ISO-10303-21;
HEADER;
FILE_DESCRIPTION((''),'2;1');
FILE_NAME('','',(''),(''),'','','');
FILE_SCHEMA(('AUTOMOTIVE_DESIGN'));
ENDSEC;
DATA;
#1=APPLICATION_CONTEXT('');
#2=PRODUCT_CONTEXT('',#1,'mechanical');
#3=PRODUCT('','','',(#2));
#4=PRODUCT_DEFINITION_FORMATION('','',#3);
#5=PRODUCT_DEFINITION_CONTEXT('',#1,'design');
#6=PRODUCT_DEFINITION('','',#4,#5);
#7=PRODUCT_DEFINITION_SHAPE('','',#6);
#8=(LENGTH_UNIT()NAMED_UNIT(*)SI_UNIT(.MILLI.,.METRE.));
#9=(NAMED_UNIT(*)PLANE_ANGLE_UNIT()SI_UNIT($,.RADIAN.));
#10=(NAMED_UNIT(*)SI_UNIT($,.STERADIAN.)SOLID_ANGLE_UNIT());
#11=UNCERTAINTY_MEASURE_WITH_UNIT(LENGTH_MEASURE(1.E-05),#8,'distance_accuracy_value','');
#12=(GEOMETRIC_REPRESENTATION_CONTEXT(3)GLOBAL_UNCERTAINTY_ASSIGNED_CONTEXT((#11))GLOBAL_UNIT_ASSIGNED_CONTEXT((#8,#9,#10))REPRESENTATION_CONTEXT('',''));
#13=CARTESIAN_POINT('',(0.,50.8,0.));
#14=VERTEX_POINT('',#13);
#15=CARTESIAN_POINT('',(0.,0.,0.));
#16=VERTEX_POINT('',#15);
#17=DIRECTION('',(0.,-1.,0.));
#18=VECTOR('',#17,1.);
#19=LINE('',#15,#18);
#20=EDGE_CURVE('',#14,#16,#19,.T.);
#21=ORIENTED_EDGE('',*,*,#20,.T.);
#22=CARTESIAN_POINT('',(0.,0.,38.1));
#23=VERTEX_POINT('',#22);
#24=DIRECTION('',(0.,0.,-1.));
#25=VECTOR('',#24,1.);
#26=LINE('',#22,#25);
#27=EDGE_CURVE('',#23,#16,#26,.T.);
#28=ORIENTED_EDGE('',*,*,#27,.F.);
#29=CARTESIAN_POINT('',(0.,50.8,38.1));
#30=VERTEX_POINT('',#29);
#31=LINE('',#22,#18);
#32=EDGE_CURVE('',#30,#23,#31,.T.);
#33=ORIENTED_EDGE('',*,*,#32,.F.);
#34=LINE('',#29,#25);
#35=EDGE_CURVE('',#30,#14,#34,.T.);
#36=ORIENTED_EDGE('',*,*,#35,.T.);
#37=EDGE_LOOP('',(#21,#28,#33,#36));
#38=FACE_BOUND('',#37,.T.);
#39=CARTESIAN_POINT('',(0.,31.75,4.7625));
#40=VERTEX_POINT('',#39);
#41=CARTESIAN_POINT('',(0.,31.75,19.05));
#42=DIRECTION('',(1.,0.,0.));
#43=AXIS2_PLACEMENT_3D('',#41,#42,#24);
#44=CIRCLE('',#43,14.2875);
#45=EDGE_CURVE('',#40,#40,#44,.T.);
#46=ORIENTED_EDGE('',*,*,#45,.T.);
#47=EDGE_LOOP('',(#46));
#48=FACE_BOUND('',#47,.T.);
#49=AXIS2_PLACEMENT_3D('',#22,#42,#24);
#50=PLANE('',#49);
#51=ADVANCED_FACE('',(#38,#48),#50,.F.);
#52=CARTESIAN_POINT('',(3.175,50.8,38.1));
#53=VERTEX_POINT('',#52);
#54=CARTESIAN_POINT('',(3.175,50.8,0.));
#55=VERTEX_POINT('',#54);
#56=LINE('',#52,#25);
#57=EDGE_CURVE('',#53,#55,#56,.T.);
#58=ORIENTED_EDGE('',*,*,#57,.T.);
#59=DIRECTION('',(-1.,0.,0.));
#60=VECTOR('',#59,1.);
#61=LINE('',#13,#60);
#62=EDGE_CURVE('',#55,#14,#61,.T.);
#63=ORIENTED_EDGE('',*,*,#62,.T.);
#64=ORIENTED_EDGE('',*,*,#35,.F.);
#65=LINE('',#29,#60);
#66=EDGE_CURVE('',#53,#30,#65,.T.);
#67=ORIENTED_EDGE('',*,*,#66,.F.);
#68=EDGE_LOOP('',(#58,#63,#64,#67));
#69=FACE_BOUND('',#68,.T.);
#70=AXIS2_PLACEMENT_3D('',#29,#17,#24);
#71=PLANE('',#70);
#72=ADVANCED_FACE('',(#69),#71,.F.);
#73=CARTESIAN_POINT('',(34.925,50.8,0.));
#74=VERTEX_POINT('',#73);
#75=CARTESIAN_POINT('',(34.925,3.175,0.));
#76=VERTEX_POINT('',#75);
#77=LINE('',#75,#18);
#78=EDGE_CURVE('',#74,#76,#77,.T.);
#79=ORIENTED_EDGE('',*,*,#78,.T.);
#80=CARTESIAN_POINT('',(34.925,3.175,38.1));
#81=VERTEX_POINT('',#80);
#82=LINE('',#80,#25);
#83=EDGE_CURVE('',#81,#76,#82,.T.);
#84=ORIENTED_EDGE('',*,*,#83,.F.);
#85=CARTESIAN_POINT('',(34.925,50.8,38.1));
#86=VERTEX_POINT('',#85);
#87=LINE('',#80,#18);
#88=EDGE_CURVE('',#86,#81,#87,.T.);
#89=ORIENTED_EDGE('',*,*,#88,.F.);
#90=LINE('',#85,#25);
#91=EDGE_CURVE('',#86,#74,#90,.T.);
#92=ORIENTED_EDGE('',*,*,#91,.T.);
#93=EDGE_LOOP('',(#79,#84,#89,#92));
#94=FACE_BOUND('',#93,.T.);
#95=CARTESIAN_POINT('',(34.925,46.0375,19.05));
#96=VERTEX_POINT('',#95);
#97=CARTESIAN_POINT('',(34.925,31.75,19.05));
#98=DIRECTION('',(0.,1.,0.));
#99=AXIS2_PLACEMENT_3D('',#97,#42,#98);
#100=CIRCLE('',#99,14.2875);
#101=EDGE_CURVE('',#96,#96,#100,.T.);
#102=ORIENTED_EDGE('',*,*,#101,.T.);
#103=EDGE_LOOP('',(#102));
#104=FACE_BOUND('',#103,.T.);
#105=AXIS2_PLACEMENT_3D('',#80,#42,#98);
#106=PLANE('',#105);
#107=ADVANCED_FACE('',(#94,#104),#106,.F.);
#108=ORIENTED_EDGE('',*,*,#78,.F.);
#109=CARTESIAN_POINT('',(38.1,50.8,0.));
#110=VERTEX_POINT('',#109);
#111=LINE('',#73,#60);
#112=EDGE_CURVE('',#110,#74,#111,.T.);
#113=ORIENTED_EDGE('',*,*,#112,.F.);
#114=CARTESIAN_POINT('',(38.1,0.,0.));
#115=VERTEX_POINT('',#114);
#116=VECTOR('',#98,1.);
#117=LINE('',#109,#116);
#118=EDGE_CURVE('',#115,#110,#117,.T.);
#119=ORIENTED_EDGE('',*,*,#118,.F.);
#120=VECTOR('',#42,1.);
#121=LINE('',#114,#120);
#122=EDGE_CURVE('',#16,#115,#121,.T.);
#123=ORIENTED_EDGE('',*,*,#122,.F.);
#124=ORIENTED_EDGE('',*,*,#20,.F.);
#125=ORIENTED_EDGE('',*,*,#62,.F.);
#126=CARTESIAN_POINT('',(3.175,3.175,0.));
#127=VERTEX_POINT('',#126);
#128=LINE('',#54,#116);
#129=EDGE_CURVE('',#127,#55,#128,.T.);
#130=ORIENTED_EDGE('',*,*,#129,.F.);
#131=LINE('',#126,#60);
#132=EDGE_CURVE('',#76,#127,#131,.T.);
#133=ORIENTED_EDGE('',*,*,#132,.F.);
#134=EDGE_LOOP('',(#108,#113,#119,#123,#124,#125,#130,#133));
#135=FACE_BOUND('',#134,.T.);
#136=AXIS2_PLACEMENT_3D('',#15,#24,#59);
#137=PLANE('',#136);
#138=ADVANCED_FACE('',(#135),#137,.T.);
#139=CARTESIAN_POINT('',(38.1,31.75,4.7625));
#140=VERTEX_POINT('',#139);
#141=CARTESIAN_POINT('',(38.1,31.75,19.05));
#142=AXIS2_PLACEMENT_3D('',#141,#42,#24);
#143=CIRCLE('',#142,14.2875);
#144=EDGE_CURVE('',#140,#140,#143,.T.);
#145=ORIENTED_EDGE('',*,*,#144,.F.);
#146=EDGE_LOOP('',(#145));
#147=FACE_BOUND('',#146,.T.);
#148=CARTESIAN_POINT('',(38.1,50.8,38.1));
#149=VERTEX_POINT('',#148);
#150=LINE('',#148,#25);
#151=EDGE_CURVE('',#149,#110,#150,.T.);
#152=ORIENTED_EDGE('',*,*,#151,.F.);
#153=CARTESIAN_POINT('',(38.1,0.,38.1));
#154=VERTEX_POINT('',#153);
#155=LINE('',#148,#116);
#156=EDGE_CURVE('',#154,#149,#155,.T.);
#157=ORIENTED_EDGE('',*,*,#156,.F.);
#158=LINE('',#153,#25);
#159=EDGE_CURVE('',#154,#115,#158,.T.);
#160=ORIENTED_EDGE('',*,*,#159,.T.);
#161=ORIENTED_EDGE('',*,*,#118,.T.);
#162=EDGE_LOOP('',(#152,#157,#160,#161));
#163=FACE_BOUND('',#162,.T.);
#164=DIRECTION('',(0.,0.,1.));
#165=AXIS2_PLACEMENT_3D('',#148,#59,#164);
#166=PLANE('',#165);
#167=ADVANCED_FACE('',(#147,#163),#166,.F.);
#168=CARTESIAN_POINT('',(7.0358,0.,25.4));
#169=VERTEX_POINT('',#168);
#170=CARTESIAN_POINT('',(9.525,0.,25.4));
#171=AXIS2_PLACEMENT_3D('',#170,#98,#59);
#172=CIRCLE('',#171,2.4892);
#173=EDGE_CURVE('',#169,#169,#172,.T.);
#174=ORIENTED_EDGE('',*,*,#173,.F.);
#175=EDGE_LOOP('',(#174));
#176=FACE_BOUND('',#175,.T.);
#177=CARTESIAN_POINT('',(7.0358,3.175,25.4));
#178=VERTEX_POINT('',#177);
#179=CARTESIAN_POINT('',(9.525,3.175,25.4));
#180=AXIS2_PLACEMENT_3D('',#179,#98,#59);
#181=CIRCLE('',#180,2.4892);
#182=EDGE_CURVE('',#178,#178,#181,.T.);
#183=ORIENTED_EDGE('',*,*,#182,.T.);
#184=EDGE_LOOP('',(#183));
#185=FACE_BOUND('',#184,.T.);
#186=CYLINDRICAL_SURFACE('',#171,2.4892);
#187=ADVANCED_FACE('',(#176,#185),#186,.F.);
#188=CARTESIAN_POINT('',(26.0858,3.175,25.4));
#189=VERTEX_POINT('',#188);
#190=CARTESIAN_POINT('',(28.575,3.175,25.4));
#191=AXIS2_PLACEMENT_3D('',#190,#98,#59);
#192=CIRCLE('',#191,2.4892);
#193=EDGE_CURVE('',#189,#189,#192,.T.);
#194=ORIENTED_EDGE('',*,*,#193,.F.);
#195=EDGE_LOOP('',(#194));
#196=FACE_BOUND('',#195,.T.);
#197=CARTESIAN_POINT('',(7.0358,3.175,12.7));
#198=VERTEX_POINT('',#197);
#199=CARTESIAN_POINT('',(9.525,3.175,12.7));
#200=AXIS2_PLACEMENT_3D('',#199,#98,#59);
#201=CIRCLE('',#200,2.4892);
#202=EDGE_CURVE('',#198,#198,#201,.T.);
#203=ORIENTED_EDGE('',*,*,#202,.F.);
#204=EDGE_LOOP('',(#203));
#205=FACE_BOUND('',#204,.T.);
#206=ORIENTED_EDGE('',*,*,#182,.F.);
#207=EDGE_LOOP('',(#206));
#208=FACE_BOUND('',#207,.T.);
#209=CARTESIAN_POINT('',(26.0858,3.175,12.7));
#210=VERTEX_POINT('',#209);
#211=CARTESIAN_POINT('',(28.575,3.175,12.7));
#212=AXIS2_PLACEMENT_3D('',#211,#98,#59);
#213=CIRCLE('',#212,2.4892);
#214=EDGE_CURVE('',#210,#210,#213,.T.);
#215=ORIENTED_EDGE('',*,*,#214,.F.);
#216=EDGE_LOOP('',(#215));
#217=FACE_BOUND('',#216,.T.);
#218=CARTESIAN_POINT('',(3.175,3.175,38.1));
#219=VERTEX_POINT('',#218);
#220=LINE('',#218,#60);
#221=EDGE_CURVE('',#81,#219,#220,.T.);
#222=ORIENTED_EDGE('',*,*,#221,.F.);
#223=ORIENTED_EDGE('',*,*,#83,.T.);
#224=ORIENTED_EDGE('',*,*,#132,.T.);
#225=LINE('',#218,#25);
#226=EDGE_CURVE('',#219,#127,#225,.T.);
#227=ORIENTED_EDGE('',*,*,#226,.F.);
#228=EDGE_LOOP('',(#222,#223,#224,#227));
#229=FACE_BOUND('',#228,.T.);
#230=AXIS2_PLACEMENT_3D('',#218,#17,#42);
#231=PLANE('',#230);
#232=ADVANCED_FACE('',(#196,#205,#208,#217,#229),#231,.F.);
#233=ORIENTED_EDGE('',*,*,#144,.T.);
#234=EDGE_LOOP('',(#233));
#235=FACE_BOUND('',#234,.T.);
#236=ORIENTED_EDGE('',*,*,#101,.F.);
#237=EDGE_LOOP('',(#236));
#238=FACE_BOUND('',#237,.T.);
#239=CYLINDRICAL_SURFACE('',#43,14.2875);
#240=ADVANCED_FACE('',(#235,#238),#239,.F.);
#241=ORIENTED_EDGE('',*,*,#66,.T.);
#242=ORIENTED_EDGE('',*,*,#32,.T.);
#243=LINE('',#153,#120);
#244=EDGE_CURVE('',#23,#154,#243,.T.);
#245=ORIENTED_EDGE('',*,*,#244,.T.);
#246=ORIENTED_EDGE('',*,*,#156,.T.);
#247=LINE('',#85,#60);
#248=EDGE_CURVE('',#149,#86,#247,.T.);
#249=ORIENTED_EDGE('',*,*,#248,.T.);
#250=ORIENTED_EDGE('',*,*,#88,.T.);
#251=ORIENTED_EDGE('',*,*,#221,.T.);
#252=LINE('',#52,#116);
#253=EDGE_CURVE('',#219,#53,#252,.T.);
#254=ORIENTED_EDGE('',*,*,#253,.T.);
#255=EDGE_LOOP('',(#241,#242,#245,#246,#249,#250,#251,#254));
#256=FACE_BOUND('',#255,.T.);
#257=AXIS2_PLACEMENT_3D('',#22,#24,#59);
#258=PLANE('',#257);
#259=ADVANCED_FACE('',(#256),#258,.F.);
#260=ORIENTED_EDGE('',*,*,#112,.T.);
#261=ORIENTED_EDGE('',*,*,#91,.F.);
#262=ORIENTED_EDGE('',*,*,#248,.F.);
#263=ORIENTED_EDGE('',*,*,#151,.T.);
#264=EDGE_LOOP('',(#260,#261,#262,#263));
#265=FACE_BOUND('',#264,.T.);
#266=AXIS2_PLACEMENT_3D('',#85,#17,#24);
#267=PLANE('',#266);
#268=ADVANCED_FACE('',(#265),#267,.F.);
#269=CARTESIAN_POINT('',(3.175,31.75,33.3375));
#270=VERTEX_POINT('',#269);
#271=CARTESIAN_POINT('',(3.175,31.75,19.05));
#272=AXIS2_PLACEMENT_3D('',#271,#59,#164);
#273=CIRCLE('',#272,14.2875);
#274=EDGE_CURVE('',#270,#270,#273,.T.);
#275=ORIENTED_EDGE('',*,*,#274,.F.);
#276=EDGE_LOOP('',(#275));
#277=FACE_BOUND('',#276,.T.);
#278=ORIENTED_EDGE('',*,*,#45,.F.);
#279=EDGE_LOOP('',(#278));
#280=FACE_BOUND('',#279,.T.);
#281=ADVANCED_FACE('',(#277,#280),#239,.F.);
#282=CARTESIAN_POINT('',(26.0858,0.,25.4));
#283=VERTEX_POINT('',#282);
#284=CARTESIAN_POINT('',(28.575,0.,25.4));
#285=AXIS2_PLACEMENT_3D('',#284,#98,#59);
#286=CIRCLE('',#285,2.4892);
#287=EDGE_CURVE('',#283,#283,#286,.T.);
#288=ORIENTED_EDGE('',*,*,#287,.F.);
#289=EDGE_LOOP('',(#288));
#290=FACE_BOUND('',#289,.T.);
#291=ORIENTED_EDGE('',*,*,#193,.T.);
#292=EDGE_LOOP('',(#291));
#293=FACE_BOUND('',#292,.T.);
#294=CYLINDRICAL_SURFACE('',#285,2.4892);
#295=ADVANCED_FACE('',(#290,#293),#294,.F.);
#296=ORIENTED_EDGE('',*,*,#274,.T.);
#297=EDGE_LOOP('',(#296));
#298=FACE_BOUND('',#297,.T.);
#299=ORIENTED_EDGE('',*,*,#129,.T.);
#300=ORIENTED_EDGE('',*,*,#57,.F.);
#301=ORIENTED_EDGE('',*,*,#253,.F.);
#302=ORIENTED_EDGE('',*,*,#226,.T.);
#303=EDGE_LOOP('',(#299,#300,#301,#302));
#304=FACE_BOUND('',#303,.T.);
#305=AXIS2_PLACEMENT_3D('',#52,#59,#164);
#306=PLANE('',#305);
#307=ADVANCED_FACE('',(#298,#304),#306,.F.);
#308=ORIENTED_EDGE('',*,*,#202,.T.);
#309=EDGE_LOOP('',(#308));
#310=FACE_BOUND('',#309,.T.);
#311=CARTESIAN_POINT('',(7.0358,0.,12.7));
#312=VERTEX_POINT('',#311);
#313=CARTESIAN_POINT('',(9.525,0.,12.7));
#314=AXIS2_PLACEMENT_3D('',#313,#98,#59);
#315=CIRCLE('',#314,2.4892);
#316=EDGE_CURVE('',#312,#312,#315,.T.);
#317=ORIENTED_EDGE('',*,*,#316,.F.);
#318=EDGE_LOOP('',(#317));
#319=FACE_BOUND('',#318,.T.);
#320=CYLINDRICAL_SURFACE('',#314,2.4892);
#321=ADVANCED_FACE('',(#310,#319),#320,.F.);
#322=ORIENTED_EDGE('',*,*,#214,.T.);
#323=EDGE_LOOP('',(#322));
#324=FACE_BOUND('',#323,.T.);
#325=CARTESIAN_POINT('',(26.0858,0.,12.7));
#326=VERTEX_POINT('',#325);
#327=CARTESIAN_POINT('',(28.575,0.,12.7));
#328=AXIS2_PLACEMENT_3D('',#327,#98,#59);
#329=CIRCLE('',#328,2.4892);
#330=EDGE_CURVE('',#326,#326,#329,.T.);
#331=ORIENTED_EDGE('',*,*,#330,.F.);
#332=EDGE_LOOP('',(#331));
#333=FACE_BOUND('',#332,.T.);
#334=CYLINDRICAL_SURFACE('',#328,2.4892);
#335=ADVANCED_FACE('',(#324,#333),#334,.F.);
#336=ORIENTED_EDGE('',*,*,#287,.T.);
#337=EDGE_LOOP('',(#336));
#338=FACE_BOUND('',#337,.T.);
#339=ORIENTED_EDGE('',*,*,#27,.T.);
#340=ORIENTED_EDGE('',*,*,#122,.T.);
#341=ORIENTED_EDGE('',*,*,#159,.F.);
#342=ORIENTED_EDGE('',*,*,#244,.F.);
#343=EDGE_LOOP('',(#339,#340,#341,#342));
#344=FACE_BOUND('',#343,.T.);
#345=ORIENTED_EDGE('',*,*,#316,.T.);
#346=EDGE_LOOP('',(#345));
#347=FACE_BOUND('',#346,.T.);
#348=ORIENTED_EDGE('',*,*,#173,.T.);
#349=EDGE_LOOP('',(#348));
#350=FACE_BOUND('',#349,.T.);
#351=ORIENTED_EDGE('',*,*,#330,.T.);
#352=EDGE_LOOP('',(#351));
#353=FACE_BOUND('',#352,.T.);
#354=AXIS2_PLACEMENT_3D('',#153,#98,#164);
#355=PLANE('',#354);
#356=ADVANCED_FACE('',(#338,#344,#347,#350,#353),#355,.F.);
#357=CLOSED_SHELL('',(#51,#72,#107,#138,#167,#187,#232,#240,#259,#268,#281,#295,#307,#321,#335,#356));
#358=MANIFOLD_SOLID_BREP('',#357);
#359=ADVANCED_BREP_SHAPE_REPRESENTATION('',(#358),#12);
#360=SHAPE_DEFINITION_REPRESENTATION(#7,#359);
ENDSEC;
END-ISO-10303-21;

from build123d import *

# Parameters (mm, degrees)
BOSS_EXTRUDE1_DEPTH = 38.1
SKETCH2_R           = 14.2875
CUT_EXTRUDE1_DEPTH  = 39.1
SKETCH3_R           = 2.4892
CUT_EXTRUDE2_DEPTH  = 4.175


with BuildPart() as part:
    # Sketch1 → Boss-Extrude1 (new body)
    with BuildSketch(Plane.XY):
        Polygon((0, 0), (0, 50.8), (3.175, 50.8), (3.175, 3.175), (34.925, 3.175), (34.925, 50.8), (38.1, 50.8), (38.1, 0), align=None)
    extrude(amount=BOSS_EXTRUDE1_DEPTH)

    # Sketch2 → Cut-Extrude1 (cut, through all)
    with BuildSketch(Plane(origin=(38.1, 0, 0), x_dir=(0, 0, -1), z_dir=(1, 0, 0))):
        with Locations((-19.05, 31.75)):
            Circle(SKETCH2_R)
    extrude(amount=-CUT_EXTRUDE1_DEPTH, mode=Mode.SUBTRACT)

    # Sketch3 → Cut-Extrude2 (cut, through all)
    with BuildSketch(Plane(origin=(0, 3.175, 0), x_dir=(1, 0, 0), z_dir=(0, 1, 0))):
        with Locations((9.525, -12.7)):
            Circle(SKETCH3_R)
        with Locations((9.525, -25.4)):
            Circle(SKETCH3_R)
        with Locations((28.575, -25.4)):
            Circle(SKETCH3_R)
        with Locations((28.575, -12.7)):
            Circle(SKETCH3_R)
    extrude(amount=-CUT_EXTRUDE2_DEPTH, mode=Mode.SUBTRACT)


solid = part.part
